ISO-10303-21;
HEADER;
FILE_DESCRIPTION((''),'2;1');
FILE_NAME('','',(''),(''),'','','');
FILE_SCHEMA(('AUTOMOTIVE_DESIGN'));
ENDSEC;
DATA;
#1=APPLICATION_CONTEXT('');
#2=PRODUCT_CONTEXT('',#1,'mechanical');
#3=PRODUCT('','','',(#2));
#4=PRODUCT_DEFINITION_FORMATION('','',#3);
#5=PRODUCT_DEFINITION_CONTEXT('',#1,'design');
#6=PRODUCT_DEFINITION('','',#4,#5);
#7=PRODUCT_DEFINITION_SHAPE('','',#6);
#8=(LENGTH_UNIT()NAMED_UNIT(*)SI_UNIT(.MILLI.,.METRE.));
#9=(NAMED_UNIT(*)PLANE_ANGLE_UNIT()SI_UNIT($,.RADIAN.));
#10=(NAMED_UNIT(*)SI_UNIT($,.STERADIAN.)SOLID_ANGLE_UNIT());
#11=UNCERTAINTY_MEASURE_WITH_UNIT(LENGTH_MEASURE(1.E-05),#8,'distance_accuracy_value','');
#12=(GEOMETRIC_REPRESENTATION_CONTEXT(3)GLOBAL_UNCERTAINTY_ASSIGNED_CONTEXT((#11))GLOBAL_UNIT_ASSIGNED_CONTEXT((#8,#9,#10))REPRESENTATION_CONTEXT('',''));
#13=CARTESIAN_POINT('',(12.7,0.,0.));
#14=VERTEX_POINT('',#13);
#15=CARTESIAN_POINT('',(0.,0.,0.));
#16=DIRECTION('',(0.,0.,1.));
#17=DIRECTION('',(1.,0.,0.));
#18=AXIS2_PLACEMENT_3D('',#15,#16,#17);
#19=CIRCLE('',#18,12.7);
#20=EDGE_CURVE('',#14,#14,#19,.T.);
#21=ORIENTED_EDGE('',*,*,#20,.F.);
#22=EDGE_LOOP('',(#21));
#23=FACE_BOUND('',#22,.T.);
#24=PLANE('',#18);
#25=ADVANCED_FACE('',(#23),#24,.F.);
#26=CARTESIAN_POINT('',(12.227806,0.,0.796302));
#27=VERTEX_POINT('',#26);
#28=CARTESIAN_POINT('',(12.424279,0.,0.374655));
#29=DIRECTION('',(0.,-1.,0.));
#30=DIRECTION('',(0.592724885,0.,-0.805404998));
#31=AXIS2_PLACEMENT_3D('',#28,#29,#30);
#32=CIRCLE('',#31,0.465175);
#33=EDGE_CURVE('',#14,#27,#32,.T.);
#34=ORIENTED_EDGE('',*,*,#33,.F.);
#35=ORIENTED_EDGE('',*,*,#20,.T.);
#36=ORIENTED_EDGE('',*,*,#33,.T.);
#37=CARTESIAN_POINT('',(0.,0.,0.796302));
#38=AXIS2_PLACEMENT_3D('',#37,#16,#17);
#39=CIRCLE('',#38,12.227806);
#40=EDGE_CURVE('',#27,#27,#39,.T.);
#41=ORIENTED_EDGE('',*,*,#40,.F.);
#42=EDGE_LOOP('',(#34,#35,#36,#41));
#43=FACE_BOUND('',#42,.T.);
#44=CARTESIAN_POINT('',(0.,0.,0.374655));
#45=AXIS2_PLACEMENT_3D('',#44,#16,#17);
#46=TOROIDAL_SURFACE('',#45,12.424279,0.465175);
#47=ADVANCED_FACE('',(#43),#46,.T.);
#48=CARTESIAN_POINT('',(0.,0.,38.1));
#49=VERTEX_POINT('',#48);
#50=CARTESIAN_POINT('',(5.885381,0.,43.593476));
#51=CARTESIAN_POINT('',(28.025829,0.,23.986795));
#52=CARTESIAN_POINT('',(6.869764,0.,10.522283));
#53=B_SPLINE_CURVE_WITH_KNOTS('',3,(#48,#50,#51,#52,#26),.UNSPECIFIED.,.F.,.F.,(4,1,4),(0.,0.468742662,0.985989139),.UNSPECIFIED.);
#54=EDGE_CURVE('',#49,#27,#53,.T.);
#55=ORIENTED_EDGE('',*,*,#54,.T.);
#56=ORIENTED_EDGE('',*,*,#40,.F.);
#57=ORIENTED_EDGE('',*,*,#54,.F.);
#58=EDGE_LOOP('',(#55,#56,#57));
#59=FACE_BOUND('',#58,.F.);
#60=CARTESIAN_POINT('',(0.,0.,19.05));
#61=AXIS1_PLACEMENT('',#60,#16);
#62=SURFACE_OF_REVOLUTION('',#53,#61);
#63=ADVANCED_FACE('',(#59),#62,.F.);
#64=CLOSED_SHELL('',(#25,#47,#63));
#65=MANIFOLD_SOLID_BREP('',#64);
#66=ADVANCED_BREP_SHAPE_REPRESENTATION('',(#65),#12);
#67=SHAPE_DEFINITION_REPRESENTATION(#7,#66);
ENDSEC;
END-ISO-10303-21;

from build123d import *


with BuildPart() as f1:
    # F0 (on Front) → F1 (revolve)
    with BuildSketch(Plane.XZ):
        with BuildLine():
            Line((0, 38.1), (0, 0))
            Line((0, 0), (12.7, 0))
            add(Edge.make_bspline(
                [(12.2278062255, 0.7963018577), (12.3729416529, 0.5328503243), (12.5301516174, 0.2674452092), (12.7, 0)],
                knots=[0.9859891387, 0.9859891387, 0.9859891387, 0.9859891387, 1, 1, 1, 1], degree=3))
            add(Edge.make_bspline(
                [(0, 38.1), (5.8853807364, 43.5934763346), (28.025828894, 23.9867953131), (6.869763873, 10.5222833032), (12.2278062255, 0.7963018577)],
                knots=[0, 0, 0, 0, 0.468742662, 0.9859891387, 0.9859891387, 0.9859891387, 0.9859891387], degree=3))
        make_face()
        with BuildLine():
            add(Edge.make_bspline(
                [(12.2278062255, 0.7963018577), (12.3729416529, 0.5328503243), (12.5301516174, 0.2674452092), (12.7, 0)],
                knots=[0.9859891387, 0.9859891387, 0.9859891387, 0.9859891387, 1, 1, 1, 1], degree=3))
            ThreePointArc((12.7, 0), (12.8243967991, 0.6119176968), (12.2278062255, 0.7963018577))
        make_face()
    revolve(axis=Axis((0, 0, 19.05), (0, 0, 1)))


solid = f1.part
